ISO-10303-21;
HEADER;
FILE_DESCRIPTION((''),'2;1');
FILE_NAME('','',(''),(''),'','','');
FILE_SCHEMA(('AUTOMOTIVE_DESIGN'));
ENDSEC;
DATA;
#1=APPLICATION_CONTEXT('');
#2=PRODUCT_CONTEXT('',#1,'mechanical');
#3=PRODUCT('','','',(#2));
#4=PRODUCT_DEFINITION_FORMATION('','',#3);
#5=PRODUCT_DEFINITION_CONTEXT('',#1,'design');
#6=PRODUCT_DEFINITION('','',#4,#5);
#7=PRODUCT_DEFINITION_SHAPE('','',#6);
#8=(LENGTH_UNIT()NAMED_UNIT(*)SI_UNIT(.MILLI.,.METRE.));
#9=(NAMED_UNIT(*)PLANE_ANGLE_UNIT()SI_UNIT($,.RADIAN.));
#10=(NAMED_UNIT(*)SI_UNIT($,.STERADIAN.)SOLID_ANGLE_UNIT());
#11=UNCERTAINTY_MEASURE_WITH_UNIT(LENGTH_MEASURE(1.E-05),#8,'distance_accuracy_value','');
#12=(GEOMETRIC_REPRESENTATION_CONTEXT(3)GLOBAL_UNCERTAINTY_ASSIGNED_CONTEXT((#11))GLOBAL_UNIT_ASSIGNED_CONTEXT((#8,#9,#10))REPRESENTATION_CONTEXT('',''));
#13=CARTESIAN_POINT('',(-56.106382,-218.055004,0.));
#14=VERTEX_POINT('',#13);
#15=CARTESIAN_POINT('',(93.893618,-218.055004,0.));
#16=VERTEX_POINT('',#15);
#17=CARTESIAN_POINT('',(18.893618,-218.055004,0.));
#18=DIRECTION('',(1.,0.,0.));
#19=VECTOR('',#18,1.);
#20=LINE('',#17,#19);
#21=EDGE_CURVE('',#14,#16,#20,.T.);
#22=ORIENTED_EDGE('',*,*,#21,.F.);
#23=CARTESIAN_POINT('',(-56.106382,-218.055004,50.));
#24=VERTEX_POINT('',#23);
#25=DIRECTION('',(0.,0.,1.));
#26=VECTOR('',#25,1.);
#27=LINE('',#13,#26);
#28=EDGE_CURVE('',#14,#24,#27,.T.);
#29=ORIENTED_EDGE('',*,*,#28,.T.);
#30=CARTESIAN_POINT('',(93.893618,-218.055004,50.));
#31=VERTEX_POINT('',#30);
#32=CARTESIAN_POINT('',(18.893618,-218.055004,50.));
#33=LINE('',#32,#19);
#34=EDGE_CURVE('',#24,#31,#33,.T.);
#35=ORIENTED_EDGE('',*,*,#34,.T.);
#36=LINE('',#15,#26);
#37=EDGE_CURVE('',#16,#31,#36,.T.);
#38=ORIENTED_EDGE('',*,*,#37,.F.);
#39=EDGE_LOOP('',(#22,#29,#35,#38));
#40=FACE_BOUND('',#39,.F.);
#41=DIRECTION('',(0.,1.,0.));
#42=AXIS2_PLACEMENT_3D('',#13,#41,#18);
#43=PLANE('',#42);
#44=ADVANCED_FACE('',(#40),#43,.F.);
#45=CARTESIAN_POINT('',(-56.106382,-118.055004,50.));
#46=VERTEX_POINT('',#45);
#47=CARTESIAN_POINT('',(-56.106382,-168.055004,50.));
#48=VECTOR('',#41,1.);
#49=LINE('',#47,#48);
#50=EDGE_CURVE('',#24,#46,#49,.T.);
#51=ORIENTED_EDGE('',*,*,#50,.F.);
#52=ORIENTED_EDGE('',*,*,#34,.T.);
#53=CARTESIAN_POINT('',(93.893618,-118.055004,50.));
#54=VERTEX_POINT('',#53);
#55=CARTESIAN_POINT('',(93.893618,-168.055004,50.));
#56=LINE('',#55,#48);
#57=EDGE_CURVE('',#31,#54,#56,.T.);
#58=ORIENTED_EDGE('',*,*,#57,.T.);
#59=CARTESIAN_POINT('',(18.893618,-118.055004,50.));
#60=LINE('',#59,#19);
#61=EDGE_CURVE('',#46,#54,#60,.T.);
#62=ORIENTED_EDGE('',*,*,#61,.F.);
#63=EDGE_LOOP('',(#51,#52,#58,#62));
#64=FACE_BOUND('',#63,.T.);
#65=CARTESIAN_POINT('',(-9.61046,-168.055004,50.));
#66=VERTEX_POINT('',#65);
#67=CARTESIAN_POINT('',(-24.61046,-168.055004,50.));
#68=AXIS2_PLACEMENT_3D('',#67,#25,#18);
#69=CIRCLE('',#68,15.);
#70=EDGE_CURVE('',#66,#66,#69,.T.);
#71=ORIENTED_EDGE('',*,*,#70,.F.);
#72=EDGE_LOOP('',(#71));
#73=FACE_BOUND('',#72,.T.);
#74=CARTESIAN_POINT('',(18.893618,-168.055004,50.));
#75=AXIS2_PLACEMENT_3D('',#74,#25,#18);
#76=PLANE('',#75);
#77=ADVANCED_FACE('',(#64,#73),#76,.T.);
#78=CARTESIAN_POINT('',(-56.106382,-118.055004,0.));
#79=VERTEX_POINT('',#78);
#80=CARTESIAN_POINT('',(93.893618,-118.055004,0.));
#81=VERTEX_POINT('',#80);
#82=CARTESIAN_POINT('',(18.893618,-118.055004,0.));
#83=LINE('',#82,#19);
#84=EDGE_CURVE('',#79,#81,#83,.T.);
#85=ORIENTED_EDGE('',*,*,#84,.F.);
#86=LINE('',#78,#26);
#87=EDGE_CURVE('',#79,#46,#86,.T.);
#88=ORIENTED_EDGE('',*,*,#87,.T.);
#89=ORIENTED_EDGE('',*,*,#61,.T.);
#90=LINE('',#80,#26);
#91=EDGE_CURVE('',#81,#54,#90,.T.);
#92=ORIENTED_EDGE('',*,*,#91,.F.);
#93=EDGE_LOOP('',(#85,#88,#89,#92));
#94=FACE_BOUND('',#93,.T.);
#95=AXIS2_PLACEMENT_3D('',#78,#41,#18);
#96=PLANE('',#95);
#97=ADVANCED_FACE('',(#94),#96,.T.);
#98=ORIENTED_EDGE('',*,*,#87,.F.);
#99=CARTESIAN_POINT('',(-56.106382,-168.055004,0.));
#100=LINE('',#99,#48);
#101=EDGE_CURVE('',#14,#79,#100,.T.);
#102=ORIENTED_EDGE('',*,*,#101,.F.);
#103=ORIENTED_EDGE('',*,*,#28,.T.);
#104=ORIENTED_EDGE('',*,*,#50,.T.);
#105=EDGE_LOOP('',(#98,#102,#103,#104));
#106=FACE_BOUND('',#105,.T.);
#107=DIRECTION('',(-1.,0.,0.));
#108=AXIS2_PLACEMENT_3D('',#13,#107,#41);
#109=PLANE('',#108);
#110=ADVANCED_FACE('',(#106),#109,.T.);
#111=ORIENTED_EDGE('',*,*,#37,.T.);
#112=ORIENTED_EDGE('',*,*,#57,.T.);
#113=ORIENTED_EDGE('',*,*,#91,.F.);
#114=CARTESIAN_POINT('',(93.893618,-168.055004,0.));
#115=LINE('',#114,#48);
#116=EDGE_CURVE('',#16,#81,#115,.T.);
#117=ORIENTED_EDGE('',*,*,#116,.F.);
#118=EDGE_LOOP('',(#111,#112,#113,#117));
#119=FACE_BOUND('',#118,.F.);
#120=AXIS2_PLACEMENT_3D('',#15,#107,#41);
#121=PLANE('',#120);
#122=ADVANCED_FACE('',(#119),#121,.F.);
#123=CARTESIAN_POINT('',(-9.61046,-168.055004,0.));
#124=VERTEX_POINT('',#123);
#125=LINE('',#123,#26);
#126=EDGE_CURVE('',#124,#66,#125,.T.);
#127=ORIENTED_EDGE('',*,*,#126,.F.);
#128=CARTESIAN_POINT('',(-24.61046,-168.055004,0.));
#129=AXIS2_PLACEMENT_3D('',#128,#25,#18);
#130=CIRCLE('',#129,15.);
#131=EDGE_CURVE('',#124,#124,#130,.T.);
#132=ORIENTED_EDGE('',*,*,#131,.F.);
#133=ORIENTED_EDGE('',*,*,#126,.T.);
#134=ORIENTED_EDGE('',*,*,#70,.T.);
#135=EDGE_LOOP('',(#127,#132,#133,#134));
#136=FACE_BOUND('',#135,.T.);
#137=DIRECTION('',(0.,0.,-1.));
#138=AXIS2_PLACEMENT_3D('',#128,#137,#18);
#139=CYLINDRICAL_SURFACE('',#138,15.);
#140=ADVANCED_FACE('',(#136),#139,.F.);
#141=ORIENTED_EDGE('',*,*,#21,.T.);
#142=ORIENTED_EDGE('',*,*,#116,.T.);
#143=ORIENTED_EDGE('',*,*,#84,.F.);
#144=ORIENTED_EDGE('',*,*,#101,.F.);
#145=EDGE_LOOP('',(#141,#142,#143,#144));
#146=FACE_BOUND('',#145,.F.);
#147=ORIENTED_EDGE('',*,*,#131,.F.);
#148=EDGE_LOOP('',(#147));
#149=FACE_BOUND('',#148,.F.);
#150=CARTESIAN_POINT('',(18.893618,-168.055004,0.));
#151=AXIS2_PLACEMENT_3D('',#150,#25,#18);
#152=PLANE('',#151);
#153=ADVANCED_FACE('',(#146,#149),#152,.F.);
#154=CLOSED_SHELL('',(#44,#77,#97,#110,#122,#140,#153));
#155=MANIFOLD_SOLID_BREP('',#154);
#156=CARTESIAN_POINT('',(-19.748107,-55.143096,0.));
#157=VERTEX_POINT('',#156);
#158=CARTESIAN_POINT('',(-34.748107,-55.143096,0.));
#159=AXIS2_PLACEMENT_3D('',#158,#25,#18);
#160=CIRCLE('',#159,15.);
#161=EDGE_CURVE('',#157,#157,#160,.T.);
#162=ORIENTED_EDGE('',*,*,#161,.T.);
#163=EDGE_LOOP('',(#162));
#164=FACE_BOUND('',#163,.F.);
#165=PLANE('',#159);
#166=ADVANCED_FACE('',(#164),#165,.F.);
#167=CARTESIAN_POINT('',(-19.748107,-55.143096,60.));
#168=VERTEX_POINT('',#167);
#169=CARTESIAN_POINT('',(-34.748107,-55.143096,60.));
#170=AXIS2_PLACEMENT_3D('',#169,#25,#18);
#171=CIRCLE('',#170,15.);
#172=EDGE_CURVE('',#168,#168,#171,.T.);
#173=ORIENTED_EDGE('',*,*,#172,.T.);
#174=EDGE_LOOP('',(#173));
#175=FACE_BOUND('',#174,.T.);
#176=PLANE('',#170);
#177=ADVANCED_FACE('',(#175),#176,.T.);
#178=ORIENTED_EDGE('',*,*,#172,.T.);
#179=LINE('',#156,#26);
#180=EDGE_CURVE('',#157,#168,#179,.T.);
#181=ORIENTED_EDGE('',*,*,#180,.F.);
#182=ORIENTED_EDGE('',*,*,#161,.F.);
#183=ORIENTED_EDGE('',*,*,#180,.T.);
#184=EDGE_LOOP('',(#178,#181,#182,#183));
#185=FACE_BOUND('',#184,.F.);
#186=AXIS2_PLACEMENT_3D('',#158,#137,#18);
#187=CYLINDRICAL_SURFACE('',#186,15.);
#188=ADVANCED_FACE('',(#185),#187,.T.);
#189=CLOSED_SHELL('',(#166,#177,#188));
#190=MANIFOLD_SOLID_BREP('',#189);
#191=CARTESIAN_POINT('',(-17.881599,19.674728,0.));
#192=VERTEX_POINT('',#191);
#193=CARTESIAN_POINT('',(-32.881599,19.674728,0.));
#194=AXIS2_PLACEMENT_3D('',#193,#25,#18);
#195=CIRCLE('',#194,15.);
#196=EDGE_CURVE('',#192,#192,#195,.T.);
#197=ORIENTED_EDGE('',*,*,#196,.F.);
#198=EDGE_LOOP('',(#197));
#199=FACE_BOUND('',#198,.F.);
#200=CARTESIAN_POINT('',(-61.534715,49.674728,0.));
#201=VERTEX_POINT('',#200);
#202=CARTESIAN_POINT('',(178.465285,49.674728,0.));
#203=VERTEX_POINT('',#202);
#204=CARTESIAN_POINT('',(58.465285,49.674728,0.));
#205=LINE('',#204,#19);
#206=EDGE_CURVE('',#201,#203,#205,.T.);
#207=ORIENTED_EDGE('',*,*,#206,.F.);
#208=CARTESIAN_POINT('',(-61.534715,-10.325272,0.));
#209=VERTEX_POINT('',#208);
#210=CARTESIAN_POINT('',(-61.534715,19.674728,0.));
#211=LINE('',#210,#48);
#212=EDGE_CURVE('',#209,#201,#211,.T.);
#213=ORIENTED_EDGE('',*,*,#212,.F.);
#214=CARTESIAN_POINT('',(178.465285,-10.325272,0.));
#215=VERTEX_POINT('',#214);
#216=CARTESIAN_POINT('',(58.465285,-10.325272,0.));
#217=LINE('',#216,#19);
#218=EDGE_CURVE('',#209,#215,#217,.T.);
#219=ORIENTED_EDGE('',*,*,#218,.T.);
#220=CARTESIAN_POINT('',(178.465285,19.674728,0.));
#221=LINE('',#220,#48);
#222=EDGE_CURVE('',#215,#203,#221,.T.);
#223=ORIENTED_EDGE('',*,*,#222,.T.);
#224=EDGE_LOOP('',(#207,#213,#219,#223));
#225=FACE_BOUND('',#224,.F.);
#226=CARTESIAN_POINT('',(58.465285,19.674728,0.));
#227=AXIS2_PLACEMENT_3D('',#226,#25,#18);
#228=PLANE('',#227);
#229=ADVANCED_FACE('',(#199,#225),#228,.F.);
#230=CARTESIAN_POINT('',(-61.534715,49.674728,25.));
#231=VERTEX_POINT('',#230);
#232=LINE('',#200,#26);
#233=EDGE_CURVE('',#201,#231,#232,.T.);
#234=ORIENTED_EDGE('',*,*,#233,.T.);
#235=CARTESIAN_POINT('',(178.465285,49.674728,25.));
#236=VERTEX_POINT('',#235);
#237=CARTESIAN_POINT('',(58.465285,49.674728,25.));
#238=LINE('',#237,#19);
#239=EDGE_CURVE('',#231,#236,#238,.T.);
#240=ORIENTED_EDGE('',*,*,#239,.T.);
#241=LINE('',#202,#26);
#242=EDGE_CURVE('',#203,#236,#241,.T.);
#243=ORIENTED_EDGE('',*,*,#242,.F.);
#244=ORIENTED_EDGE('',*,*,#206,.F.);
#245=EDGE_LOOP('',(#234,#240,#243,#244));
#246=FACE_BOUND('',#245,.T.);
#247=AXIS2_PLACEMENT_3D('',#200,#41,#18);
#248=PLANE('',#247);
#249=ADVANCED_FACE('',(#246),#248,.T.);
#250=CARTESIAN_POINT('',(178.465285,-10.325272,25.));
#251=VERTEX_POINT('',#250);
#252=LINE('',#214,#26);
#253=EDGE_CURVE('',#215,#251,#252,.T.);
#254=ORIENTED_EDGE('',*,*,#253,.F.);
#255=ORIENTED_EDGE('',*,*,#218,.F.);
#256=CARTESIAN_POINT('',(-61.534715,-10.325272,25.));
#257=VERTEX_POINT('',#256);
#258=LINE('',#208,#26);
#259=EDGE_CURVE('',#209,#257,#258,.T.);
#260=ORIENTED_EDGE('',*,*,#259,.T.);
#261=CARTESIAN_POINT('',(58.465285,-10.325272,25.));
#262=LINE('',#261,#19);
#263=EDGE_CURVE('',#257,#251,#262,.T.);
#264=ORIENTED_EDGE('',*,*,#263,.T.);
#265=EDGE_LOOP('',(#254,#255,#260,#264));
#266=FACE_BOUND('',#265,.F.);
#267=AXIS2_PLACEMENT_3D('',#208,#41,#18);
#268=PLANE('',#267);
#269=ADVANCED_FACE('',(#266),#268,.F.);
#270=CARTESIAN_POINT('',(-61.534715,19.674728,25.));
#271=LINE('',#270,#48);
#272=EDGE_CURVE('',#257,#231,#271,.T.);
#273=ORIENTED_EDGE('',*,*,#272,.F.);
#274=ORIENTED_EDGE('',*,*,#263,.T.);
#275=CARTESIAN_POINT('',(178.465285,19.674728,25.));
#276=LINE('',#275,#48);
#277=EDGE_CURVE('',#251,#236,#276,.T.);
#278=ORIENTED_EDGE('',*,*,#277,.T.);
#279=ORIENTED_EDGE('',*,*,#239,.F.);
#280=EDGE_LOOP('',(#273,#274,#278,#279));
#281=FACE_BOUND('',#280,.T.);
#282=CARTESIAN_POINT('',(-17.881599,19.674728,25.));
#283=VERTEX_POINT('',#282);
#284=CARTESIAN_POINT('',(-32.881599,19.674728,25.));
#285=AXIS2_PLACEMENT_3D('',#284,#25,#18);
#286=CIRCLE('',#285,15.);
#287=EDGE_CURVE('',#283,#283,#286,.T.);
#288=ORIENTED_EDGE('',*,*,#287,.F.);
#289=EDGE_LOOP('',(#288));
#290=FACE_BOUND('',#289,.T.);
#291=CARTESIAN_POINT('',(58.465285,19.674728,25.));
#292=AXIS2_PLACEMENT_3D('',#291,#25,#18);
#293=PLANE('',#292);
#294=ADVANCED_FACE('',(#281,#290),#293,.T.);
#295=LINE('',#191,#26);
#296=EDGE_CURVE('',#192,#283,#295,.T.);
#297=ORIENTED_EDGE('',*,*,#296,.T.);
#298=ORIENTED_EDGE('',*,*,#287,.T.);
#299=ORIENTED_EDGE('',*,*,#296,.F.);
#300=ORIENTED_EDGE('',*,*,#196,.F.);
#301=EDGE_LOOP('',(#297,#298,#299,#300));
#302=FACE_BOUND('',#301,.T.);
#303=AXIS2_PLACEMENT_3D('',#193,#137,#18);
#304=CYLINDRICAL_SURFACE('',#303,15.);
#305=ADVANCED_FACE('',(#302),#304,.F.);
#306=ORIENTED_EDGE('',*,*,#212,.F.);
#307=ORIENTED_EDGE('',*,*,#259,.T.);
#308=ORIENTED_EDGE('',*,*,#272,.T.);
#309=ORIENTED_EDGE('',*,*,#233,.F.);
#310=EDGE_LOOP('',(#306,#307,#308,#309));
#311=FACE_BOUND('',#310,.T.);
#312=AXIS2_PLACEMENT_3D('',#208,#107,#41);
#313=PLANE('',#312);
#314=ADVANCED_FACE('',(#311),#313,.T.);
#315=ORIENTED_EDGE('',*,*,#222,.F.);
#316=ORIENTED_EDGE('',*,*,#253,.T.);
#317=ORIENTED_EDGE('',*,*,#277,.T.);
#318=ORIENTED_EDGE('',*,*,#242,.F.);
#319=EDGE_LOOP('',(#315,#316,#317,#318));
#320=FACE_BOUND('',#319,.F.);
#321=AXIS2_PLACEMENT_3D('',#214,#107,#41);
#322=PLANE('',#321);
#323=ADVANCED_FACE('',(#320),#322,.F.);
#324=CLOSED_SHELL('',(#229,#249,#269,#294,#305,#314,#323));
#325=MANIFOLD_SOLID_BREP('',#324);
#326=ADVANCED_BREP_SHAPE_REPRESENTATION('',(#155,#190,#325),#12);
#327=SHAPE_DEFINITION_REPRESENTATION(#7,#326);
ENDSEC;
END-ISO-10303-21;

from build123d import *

# Parameters (mm, degrees)
F0_W     = 240
F0_H     = 60
F0_R     = 15
F1_DEPTH = 25
F2_R     = 15
F3_DEPTH = 60
F4_W     = 150
F4_H     = 100
F4_R     = 15
F5_DEPTH = 50


with BuildPart() as f1:
    # F0 (on Top) → F1 (new body)
    with BuildSketch(Plane.XY):
        with Locations((58.465285, 19.674728)):
            Rectangle(F0_W, F0_H)
        with Locations((-32.881599, 19.674728)):
            Circle(F0_R, mode=Mode.SUBTRACT)
    extrude(amount=F1_DEPTH)


with BuildPart() as f3:
    # F2 (on Top) → F3 (new body)
    with BuildSketch(Plane.XY):
        with Locations((-34.748107, -55.143096)):
            Circle(F2_R)
    extrude(amount=F3_DEPTH)


with BuildPart() as f5:
    # F4 (on Top) → F5 (new body)
    with BuildSketch(Plane.XY):
        with Locations((18.893618, -168.055004)):
            Rectangle(F4_W, F4_H)
        with Locations((-24.61046, -168.055004)):
            Circle(F4_R, mode=Mode.SUBTRACT)
    extrude(amount=F5_DEPTH)


solid = Compound([f1.part, f3.part, f5.part])
